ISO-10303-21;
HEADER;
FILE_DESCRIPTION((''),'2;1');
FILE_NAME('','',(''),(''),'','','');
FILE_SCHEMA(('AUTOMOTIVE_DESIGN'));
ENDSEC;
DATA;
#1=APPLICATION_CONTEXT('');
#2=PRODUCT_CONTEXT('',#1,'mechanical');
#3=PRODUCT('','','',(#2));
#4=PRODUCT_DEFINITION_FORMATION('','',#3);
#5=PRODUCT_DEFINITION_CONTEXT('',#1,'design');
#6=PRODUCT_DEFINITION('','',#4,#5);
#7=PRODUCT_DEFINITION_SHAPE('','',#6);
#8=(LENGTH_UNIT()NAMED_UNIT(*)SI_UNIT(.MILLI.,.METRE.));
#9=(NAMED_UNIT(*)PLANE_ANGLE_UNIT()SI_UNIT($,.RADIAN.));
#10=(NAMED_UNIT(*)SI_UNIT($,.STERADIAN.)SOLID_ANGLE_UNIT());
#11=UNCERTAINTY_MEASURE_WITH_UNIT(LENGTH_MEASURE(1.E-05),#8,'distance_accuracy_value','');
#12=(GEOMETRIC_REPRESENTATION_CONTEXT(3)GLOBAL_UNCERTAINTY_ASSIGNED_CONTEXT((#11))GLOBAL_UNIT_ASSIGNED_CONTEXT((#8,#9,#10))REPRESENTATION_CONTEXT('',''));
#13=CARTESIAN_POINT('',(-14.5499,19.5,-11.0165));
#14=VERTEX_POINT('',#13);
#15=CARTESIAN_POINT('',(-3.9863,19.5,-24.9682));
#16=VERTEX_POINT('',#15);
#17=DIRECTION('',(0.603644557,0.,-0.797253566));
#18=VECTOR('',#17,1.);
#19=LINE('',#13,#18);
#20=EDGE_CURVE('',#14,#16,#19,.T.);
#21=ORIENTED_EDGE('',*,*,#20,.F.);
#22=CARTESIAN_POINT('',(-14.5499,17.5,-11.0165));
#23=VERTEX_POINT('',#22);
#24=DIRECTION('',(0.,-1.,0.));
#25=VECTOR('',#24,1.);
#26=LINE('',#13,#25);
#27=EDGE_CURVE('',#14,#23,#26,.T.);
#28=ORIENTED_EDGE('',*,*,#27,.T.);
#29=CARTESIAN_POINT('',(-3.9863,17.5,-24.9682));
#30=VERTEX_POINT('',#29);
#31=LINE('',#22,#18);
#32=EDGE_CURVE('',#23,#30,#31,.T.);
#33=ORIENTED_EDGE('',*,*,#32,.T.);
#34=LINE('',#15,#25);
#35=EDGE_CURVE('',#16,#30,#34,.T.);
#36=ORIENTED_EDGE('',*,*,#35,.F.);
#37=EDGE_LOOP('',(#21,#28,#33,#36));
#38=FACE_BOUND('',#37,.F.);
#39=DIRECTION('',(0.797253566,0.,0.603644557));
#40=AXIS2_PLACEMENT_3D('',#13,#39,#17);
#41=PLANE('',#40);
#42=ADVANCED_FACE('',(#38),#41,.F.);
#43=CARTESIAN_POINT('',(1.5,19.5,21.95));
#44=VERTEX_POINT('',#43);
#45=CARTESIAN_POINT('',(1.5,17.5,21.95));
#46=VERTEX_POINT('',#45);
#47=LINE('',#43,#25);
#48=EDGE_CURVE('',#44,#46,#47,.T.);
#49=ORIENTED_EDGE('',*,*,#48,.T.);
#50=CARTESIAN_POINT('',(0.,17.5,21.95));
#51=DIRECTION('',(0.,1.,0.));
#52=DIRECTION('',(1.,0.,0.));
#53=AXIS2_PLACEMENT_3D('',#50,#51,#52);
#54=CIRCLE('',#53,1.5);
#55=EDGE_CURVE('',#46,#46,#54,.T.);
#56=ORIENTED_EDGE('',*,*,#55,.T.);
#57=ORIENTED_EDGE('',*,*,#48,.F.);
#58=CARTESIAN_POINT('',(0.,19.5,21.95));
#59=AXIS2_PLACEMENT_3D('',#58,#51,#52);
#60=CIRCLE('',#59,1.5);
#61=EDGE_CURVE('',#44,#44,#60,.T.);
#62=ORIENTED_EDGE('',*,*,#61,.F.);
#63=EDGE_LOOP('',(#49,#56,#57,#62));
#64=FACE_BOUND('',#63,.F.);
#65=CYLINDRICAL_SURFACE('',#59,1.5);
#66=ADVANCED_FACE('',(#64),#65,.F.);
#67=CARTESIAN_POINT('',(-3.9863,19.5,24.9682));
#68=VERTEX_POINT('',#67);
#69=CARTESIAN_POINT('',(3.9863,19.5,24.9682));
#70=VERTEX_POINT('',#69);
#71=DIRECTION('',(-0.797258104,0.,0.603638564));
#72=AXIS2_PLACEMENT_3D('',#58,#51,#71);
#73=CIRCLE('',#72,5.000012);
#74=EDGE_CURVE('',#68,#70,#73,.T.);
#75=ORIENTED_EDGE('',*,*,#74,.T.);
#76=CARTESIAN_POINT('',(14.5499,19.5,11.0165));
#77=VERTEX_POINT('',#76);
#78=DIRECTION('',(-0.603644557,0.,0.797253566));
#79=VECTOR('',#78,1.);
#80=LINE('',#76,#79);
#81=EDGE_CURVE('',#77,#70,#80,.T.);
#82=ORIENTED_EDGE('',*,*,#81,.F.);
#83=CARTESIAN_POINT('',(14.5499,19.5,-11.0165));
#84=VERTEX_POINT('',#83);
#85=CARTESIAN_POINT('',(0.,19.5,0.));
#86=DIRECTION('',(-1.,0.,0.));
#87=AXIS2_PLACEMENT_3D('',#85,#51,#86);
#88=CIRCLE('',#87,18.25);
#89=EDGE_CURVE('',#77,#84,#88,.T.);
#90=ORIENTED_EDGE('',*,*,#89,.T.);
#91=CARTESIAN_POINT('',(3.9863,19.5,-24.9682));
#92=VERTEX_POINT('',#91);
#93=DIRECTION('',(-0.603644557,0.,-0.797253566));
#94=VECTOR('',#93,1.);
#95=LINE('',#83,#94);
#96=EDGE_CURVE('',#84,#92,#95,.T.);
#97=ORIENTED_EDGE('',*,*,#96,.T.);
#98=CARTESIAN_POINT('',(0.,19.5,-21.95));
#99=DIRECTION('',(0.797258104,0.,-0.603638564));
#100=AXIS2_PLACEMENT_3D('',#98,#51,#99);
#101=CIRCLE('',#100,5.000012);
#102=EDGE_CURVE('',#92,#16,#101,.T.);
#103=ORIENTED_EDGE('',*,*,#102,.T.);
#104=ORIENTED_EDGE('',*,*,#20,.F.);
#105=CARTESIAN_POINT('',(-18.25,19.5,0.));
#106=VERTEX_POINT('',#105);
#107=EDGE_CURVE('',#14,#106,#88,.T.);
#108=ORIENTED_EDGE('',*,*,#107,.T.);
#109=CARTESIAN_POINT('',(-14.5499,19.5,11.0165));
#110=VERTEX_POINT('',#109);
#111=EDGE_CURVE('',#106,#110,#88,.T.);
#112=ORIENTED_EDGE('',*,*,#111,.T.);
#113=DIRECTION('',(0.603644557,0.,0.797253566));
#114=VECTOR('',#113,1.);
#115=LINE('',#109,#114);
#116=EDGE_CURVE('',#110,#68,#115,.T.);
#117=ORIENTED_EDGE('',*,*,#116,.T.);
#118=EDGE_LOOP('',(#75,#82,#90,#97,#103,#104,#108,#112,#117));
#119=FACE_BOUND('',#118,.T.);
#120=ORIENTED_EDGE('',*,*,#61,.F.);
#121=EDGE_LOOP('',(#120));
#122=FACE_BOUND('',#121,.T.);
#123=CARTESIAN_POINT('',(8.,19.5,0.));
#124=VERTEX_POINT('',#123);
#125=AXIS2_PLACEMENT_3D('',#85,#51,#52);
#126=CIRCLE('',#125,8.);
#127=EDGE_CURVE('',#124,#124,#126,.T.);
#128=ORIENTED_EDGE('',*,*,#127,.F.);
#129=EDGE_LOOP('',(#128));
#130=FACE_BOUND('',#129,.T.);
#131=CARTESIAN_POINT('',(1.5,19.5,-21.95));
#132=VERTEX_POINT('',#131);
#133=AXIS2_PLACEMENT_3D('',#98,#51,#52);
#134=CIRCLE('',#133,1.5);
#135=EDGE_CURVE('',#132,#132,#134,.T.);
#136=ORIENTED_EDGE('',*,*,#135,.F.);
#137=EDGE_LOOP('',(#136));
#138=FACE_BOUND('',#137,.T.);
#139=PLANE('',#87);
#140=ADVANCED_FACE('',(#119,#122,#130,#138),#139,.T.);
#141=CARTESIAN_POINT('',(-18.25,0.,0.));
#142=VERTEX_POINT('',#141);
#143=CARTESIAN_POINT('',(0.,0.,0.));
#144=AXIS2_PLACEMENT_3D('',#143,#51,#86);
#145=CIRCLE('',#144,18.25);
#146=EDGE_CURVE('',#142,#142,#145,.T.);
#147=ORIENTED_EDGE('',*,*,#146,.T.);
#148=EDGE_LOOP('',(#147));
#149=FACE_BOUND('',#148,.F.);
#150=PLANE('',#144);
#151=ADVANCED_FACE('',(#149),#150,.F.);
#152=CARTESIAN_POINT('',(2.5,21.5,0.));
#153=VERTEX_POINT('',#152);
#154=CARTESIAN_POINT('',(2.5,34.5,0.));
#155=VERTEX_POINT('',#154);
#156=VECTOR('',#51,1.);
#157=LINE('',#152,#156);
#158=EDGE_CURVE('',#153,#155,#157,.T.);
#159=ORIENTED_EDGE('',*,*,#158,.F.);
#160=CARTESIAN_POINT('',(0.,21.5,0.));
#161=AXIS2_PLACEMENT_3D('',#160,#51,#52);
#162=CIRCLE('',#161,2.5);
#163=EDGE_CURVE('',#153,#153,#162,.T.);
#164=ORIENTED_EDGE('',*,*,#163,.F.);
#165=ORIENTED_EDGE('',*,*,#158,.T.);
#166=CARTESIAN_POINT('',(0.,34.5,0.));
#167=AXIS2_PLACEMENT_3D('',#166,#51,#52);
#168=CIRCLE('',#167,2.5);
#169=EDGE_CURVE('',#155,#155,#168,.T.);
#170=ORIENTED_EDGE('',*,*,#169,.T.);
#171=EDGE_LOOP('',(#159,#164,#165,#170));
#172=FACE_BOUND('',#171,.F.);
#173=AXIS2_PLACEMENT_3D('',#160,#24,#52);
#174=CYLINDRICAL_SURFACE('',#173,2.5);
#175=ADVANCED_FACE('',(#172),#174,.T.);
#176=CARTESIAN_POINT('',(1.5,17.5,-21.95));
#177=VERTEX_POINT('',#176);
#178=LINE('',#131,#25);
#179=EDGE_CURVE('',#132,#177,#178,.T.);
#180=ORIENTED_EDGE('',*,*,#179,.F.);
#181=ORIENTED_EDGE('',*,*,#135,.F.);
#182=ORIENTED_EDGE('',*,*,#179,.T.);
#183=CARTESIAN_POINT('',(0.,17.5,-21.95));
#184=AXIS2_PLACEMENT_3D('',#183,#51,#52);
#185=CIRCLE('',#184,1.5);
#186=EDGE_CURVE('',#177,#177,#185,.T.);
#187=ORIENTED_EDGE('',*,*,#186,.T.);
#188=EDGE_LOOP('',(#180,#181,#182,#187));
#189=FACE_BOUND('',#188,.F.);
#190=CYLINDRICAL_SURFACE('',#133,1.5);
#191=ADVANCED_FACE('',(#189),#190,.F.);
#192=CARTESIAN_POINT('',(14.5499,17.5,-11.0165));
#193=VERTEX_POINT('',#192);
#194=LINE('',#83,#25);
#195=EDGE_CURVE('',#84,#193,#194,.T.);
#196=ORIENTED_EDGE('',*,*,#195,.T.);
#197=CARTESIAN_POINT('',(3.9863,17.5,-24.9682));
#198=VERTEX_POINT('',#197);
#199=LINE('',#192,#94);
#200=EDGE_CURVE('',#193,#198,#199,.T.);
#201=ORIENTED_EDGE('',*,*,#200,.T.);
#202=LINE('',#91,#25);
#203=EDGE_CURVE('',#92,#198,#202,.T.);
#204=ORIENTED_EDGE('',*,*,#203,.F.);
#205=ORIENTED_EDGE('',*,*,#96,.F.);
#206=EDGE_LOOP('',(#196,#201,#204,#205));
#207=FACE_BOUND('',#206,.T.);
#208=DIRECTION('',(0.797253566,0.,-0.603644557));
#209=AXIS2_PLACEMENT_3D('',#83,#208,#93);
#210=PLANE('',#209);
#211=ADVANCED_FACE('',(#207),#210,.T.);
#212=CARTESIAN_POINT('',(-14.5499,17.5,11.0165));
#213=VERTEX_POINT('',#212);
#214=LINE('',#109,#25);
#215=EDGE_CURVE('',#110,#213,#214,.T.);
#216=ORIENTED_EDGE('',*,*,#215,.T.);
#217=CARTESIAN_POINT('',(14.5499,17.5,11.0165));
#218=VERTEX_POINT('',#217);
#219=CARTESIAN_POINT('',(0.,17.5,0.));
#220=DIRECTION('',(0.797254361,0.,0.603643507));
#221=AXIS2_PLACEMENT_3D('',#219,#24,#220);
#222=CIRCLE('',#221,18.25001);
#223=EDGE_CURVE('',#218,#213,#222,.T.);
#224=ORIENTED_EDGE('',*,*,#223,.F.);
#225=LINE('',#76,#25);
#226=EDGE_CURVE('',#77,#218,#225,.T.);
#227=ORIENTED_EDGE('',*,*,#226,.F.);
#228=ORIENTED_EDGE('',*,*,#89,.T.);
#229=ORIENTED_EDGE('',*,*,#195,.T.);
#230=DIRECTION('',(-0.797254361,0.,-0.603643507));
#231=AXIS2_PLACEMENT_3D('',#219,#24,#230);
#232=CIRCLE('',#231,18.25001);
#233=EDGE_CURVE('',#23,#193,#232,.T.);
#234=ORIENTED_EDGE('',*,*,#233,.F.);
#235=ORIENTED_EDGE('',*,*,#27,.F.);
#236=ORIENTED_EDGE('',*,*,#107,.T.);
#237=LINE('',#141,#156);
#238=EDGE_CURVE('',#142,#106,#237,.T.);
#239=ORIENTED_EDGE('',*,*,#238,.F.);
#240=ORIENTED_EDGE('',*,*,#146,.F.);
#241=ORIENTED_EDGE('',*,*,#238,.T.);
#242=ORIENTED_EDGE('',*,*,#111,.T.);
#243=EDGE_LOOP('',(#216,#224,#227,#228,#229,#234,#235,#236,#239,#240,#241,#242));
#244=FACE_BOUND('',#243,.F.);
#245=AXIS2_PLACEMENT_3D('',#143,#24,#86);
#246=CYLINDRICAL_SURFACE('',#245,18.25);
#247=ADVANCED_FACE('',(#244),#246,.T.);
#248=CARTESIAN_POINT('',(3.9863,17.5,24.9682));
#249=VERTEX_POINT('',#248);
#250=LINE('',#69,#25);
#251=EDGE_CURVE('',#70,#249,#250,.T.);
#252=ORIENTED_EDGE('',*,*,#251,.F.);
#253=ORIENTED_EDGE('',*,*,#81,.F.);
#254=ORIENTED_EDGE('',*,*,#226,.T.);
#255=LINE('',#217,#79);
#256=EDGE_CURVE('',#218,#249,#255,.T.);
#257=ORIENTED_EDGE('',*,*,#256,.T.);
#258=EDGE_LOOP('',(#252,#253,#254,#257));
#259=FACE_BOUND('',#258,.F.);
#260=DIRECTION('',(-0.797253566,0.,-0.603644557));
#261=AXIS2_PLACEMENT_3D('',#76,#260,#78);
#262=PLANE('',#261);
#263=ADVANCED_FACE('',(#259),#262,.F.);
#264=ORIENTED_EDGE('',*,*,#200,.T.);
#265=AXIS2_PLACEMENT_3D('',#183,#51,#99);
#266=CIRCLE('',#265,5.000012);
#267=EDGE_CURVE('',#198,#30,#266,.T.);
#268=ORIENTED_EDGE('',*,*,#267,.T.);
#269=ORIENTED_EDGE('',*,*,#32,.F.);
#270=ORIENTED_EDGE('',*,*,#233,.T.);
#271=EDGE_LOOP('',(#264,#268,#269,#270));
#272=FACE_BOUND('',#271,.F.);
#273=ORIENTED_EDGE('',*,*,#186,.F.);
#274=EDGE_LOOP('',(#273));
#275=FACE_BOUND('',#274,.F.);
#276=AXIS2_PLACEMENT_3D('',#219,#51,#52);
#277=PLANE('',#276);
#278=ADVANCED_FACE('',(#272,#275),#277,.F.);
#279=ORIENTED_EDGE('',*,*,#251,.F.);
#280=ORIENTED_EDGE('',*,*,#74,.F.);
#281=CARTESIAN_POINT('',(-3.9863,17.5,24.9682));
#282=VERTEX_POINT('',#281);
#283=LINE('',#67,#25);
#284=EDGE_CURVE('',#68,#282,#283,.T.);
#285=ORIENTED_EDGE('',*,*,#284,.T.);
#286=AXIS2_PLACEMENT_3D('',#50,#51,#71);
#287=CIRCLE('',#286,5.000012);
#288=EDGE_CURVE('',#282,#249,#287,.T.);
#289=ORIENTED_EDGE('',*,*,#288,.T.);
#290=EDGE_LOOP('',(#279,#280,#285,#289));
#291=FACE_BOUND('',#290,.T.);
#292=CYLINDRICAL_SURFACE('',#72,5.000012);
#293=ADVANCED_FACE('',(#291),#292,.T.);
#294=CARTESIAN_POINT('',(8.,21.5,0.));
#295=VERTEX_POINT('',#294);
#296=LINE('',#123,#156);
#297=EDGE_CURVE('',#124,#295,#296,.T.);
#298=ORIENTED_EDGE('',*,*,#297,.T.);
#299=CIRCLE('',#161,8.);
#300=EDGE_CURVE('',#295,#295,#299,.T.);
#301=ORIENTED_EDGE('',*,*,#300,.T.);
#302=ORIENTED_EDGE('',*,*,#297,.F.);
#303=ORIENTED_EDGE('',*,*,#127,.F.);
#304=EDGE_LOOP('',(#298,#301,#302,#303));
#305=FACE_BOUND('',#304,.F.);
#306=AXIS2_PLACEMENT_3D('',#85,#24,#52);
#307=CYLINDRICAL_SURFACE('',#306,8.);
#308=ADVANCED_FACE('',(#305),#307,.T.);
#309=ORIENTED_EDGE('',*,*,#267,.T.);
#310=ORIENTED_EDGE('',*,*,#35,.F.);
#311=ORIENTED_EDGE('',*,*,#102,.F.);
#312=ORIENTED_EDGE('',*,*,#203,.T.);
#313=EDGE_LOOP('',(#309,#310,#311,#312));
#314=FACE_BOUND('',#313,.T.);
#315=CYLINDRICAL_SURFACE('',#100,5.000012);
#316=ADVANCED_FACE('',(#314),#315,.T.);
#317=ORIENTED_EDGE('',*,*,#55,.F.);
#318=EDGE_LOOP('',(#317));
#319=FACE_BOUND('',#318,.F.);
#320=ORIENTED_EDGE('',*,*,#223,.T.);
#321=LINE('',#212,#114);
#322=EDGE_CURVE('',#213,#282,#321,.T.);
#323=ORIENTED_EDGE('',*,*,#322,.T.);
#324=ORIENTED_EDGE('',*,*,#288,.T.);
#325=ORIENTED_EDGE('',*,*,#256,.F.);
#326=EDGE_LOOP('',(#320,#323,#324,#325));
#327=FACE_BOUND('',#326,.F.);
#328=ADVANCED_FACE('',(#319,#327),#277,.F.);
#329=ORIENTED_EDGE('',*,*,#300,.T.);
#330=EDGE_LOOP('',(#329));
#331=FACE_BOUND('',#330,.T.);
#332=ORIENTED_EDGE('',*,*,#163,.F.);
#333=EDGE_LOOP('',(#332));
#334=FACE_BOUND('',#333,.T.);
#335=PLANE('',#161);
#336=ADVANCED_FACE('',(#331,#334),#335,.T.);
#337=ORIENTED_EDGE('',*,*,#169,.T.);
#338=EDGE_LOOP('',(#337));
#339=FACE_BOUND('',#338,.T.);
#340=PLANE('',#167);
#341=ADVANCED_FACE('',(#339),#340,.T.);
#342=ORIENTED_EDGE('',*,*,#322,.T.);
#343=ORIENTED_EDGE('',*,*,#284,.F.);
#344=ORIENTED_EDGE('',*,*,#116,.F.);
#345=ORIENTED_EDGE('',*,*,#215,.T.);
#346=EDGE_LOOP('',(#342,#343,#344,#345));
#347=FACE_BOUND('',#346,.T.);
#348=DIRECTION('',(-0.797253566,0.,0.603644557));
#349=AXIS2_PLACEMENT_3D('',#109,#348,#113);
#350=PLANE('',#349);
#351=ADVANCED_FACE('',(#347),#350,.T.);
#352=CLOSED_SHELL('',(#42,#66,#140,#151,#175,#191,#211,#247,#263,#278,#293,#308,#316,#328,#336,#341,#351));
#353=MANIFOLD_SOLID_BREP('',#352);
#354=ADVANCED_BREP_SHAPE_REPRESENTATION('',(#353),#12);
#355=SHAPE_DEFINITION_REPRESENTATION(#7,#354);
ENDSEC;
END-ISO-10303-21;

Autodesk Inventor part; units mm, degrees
ref_plane "YZ Plane" through (0, 0, 0) normal (1, 0, 0) x (0, 1, 0)
ref_plane "XZ Plane" through (0, 0, 0) normal (0, 1, 0) x (-1, 0, 0)
ref_plane "XY Plane" through (0, 0, 0) normal (0, 0, 1) x (1, 0, 0)
sketch "Sketch1" plane through (0, 0, 0) normal (0, 1, 0) x (-1, 0, 0)
  circle A0 centre (0, 0) radius 18.25
  dimension "d0" = 36.5
extrude "Extrusion1" add sketch "Sketch1" along normal blind 19.5
sketch "Sketch2" plane through (0, 19.5, 0) normal (0, 1, 0) x (1, 0, 0)
  circle A0 centre (0, 0) radius 8
  dimension "d3" = 16
extrude "Extrusion2" add sketch "Sketch2" along normal blind 2
sketch "Sketch3" plane through (0, 19.5, 0) normal (0, 1, 0) x (1, 0, 0)
  circle A0 centre (0, 21.95) radius 1.5
  circle A1 centre (0, -21.95) radius 1.5
  arc A2 (3.9863, 24.9682) -> (-3.9863, 24.9682) centre (0, 21.95) ccw
  circle A3 centre (0, 0) radius 8
  line L0 (-14.5499, -11.0165) -> (-3.9863, -24.9682)
  line L1 (-14.5499, 11.0165) -> (-3.9863, 24.9682)
  line L2 (14.5499, -11.0165) -> (3.9863, -24.9682)
  line L3 (14.5499, 11.0165) -> (3.9863, 24.9682)
  arc A4 (-14.5499, -11.0165) -> (14.5499, -11.0165) centre (0, 0) ccw
  arc A5 (3.0557, 17.9924) -> (-3.0557, 17.9924) centre (0, 0) ccw
  arc A6 (-3.9863, -24.9682) -> (3.9863, -24.9682) centre (0, -21.95) ccw
  arc A7 (3.0557, -17.9924) -> (-3.0557, -17.9924) centre (0, -21.95) ccw
  arc A8 (-14.5499, -11.0165) -> (14.5499, -11.0165) centre (0, 0) ccw
  arc A9 (14.5499, 11.0165) -> (-14.5499, 11.0165) centre (0, 0) ccw
extrude "Extrusion3" add sketch "Sketch3" against normal blind 2 contours L3 A9 A5 L1 A2 | A4 L2 A6 L0
sketch "Sketch4" plane through (0, 21.5, 0) normal (0, 1, 0) x (1, 0, 0)
  circle A0 centre (0, 0) radius 2.5
  dimension "d12" = 5
extrude "Extrusion4" add sketch "Sketch4" along normal blind 13
properties part number "14HM08"
